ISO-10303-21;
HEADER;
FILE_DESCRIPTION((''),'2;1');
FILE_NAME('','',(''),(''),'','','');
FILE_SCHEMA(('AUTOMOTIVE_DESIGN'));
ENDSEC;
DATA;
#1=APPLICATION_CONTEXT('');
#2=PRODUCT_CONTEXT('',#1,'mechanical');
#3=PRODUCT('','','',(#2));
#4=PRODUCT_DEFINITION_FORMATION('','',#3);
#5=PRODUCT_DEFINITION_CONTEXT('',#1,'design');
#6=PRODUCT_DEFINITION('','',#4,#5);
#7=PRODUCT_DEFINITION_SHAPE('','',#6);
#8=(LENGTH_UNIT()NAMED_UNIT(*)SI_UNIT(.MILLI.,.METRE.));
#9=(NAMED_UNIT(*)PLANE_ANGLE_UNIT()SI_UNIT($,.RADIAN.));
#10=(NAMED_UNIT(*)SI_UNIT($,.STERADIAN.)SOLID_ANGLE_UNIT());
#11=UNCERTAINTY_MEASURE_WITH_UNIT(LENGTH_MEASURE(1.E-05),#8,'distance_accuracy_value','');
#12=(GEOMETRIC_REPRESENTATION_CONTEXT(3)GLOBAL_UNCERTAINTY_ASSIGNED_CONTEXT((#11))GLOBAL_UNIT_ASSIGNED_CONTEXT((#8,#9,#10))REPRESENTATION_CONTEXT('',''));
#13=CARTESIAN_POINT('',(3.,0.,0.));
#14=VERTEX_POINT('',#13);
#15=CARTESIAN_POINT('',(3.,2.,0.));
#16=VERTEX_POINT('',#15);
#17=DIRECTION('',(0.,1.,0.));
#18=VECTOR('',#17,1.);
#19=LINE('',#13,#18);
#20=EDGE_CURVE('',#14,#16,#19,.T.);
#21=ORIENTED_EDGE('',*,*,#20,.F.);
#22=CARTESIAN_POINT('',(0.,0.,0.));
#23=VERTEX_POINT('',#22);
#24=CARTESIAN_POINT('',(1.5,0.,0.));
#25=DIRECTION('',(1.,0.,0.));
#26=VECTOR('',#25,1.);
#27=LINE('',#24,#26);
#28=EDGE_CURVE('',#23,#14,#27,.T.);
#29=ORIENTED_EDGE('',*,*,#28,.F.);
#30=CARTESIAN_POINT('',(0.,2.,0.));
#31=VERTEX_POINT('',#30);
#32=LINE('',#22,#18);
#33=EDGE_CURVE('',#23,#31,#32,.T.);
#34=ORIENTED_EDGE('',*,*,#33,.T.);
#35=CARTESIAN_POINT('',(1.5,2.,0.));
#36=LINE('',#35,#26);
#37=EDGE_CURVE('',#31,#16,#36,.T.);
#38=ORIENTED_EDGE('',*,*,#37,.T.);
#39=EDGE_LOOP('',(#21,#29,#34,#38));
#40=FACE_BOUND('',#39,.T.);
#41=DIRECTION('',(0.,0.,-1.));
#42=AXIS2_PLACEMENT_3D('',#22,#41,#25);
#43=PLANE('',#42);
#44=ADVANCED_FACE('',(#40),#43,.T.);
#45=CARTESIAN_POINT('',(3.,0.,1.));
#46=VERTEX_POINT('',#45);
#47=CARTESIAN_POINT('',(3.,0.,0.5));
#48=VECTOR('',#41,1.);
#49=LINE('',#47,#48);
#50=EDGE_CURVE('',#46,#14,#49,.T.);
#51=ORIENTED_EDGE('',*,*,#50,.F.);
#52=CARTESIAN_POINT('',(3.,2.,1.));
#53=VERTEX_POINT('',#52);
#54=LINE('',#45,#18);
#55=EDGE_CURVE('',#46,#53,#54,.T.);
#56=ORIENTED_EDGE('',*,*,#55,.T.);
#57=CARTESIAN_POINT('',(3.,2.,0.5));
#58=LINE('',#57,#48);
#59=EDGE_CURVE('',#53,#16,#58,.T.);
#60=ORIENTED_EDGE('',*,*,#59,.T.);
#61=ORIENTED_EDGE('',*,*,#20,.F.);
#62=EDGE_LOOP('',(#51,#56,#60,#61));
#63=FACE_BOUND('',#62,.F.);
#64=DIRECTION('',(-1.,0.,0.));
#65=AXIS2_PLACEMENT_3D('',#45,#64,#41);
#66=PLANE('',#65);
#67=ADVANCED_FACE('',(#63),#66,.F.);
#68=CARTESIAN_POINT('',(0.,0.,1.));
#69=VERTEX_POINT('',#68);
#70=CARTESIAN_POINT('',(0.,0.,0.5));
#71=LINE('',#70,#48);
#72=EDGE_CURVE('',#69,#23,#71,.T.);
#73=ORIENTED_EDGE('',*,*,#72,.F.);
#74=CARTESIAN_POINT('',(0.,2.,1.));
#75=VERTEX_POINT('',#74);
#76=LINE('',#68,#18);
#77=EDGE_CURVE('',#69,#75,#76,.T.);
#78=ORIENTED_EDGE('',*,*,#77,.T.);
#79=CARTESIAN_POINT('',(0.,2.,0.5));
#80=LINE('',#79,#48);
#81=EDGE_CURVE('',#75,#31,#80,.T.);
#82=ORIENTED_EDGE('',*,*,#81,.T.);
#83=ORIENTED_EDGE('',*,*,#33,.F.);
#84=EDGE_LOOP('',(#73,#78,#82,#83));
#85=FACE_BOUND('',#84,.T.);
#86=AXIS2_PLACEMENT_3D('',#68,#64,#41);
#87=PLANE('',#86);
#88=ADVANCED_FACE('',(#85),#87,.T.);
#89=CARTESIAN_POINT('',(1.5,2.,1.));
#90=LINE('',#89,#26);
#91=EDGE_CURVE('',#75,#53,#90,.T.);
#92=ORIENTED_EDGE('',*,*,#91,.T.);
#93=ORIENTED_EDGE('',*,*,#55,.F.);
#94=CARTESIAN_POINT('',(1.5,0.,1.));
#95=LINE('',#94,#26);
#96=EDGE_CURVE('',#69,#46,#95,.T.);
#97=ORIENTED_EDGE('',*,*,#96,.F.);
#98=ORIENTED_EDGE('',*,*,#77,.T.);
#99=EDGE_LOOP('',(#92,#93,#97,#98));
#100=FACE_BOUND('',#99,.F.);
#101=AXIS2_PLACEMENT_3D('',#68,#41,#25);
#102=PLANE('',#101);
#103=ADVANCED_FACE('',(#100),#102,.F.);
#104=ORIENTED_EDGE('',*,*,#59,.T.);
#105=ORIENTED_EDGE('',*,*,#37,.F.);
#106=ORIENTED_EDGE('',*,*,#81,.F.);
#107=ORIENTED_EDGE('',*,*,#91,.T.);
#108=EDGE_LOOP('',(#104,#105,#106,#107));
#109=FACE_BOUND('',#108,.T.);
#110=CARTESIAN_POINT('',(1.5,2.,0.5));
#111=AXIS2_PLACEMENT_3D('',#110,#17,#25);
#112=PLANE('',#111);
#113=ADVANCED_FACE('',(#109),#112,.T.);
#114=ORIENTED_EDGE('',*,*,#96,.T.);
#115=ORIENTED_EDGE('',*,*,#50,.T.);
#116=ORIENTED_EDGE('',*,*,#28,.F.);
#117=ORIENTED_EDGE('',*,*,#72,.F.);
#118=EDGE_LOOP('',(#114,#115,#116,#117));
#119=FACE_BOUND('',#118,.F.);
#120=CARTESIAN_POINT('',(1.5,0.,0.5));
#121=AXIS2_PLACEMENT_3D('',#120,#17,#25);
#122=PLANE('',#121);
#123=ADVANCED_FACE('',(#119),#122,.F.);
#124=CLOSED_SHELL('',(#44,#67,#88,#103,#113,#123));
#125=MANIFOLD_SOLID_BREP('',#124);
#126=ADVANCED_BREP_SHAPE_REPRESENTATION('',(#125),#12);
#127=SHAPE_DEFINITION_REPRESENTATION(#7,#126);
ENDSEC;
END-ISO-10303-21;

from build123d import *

# Parameters (mm, degrees)
SKIZZE1_W                       = 3
SKIZZE1_H                       = 1
AUFSATZ_LINEAR_AUSTRAGEN1_DEPTH = 2


with BuildPart() as part:
    # Skizze1 → Aufsatz-Linear austragen1 (new body)
    with BuildSketch(Plane(origin=(0, 0, 0), x_dir=(1, 0, 0), z_dir=(0, 1, 0))):
        with Locations((1.5, -0.5)):
            Rectangle(SKIZZE1_W, SKIZZE1_H)
    extrude(amount=AUFSATZ_LINEAR_AUSTRAGEN1_DEPTH)


solid = part.part
